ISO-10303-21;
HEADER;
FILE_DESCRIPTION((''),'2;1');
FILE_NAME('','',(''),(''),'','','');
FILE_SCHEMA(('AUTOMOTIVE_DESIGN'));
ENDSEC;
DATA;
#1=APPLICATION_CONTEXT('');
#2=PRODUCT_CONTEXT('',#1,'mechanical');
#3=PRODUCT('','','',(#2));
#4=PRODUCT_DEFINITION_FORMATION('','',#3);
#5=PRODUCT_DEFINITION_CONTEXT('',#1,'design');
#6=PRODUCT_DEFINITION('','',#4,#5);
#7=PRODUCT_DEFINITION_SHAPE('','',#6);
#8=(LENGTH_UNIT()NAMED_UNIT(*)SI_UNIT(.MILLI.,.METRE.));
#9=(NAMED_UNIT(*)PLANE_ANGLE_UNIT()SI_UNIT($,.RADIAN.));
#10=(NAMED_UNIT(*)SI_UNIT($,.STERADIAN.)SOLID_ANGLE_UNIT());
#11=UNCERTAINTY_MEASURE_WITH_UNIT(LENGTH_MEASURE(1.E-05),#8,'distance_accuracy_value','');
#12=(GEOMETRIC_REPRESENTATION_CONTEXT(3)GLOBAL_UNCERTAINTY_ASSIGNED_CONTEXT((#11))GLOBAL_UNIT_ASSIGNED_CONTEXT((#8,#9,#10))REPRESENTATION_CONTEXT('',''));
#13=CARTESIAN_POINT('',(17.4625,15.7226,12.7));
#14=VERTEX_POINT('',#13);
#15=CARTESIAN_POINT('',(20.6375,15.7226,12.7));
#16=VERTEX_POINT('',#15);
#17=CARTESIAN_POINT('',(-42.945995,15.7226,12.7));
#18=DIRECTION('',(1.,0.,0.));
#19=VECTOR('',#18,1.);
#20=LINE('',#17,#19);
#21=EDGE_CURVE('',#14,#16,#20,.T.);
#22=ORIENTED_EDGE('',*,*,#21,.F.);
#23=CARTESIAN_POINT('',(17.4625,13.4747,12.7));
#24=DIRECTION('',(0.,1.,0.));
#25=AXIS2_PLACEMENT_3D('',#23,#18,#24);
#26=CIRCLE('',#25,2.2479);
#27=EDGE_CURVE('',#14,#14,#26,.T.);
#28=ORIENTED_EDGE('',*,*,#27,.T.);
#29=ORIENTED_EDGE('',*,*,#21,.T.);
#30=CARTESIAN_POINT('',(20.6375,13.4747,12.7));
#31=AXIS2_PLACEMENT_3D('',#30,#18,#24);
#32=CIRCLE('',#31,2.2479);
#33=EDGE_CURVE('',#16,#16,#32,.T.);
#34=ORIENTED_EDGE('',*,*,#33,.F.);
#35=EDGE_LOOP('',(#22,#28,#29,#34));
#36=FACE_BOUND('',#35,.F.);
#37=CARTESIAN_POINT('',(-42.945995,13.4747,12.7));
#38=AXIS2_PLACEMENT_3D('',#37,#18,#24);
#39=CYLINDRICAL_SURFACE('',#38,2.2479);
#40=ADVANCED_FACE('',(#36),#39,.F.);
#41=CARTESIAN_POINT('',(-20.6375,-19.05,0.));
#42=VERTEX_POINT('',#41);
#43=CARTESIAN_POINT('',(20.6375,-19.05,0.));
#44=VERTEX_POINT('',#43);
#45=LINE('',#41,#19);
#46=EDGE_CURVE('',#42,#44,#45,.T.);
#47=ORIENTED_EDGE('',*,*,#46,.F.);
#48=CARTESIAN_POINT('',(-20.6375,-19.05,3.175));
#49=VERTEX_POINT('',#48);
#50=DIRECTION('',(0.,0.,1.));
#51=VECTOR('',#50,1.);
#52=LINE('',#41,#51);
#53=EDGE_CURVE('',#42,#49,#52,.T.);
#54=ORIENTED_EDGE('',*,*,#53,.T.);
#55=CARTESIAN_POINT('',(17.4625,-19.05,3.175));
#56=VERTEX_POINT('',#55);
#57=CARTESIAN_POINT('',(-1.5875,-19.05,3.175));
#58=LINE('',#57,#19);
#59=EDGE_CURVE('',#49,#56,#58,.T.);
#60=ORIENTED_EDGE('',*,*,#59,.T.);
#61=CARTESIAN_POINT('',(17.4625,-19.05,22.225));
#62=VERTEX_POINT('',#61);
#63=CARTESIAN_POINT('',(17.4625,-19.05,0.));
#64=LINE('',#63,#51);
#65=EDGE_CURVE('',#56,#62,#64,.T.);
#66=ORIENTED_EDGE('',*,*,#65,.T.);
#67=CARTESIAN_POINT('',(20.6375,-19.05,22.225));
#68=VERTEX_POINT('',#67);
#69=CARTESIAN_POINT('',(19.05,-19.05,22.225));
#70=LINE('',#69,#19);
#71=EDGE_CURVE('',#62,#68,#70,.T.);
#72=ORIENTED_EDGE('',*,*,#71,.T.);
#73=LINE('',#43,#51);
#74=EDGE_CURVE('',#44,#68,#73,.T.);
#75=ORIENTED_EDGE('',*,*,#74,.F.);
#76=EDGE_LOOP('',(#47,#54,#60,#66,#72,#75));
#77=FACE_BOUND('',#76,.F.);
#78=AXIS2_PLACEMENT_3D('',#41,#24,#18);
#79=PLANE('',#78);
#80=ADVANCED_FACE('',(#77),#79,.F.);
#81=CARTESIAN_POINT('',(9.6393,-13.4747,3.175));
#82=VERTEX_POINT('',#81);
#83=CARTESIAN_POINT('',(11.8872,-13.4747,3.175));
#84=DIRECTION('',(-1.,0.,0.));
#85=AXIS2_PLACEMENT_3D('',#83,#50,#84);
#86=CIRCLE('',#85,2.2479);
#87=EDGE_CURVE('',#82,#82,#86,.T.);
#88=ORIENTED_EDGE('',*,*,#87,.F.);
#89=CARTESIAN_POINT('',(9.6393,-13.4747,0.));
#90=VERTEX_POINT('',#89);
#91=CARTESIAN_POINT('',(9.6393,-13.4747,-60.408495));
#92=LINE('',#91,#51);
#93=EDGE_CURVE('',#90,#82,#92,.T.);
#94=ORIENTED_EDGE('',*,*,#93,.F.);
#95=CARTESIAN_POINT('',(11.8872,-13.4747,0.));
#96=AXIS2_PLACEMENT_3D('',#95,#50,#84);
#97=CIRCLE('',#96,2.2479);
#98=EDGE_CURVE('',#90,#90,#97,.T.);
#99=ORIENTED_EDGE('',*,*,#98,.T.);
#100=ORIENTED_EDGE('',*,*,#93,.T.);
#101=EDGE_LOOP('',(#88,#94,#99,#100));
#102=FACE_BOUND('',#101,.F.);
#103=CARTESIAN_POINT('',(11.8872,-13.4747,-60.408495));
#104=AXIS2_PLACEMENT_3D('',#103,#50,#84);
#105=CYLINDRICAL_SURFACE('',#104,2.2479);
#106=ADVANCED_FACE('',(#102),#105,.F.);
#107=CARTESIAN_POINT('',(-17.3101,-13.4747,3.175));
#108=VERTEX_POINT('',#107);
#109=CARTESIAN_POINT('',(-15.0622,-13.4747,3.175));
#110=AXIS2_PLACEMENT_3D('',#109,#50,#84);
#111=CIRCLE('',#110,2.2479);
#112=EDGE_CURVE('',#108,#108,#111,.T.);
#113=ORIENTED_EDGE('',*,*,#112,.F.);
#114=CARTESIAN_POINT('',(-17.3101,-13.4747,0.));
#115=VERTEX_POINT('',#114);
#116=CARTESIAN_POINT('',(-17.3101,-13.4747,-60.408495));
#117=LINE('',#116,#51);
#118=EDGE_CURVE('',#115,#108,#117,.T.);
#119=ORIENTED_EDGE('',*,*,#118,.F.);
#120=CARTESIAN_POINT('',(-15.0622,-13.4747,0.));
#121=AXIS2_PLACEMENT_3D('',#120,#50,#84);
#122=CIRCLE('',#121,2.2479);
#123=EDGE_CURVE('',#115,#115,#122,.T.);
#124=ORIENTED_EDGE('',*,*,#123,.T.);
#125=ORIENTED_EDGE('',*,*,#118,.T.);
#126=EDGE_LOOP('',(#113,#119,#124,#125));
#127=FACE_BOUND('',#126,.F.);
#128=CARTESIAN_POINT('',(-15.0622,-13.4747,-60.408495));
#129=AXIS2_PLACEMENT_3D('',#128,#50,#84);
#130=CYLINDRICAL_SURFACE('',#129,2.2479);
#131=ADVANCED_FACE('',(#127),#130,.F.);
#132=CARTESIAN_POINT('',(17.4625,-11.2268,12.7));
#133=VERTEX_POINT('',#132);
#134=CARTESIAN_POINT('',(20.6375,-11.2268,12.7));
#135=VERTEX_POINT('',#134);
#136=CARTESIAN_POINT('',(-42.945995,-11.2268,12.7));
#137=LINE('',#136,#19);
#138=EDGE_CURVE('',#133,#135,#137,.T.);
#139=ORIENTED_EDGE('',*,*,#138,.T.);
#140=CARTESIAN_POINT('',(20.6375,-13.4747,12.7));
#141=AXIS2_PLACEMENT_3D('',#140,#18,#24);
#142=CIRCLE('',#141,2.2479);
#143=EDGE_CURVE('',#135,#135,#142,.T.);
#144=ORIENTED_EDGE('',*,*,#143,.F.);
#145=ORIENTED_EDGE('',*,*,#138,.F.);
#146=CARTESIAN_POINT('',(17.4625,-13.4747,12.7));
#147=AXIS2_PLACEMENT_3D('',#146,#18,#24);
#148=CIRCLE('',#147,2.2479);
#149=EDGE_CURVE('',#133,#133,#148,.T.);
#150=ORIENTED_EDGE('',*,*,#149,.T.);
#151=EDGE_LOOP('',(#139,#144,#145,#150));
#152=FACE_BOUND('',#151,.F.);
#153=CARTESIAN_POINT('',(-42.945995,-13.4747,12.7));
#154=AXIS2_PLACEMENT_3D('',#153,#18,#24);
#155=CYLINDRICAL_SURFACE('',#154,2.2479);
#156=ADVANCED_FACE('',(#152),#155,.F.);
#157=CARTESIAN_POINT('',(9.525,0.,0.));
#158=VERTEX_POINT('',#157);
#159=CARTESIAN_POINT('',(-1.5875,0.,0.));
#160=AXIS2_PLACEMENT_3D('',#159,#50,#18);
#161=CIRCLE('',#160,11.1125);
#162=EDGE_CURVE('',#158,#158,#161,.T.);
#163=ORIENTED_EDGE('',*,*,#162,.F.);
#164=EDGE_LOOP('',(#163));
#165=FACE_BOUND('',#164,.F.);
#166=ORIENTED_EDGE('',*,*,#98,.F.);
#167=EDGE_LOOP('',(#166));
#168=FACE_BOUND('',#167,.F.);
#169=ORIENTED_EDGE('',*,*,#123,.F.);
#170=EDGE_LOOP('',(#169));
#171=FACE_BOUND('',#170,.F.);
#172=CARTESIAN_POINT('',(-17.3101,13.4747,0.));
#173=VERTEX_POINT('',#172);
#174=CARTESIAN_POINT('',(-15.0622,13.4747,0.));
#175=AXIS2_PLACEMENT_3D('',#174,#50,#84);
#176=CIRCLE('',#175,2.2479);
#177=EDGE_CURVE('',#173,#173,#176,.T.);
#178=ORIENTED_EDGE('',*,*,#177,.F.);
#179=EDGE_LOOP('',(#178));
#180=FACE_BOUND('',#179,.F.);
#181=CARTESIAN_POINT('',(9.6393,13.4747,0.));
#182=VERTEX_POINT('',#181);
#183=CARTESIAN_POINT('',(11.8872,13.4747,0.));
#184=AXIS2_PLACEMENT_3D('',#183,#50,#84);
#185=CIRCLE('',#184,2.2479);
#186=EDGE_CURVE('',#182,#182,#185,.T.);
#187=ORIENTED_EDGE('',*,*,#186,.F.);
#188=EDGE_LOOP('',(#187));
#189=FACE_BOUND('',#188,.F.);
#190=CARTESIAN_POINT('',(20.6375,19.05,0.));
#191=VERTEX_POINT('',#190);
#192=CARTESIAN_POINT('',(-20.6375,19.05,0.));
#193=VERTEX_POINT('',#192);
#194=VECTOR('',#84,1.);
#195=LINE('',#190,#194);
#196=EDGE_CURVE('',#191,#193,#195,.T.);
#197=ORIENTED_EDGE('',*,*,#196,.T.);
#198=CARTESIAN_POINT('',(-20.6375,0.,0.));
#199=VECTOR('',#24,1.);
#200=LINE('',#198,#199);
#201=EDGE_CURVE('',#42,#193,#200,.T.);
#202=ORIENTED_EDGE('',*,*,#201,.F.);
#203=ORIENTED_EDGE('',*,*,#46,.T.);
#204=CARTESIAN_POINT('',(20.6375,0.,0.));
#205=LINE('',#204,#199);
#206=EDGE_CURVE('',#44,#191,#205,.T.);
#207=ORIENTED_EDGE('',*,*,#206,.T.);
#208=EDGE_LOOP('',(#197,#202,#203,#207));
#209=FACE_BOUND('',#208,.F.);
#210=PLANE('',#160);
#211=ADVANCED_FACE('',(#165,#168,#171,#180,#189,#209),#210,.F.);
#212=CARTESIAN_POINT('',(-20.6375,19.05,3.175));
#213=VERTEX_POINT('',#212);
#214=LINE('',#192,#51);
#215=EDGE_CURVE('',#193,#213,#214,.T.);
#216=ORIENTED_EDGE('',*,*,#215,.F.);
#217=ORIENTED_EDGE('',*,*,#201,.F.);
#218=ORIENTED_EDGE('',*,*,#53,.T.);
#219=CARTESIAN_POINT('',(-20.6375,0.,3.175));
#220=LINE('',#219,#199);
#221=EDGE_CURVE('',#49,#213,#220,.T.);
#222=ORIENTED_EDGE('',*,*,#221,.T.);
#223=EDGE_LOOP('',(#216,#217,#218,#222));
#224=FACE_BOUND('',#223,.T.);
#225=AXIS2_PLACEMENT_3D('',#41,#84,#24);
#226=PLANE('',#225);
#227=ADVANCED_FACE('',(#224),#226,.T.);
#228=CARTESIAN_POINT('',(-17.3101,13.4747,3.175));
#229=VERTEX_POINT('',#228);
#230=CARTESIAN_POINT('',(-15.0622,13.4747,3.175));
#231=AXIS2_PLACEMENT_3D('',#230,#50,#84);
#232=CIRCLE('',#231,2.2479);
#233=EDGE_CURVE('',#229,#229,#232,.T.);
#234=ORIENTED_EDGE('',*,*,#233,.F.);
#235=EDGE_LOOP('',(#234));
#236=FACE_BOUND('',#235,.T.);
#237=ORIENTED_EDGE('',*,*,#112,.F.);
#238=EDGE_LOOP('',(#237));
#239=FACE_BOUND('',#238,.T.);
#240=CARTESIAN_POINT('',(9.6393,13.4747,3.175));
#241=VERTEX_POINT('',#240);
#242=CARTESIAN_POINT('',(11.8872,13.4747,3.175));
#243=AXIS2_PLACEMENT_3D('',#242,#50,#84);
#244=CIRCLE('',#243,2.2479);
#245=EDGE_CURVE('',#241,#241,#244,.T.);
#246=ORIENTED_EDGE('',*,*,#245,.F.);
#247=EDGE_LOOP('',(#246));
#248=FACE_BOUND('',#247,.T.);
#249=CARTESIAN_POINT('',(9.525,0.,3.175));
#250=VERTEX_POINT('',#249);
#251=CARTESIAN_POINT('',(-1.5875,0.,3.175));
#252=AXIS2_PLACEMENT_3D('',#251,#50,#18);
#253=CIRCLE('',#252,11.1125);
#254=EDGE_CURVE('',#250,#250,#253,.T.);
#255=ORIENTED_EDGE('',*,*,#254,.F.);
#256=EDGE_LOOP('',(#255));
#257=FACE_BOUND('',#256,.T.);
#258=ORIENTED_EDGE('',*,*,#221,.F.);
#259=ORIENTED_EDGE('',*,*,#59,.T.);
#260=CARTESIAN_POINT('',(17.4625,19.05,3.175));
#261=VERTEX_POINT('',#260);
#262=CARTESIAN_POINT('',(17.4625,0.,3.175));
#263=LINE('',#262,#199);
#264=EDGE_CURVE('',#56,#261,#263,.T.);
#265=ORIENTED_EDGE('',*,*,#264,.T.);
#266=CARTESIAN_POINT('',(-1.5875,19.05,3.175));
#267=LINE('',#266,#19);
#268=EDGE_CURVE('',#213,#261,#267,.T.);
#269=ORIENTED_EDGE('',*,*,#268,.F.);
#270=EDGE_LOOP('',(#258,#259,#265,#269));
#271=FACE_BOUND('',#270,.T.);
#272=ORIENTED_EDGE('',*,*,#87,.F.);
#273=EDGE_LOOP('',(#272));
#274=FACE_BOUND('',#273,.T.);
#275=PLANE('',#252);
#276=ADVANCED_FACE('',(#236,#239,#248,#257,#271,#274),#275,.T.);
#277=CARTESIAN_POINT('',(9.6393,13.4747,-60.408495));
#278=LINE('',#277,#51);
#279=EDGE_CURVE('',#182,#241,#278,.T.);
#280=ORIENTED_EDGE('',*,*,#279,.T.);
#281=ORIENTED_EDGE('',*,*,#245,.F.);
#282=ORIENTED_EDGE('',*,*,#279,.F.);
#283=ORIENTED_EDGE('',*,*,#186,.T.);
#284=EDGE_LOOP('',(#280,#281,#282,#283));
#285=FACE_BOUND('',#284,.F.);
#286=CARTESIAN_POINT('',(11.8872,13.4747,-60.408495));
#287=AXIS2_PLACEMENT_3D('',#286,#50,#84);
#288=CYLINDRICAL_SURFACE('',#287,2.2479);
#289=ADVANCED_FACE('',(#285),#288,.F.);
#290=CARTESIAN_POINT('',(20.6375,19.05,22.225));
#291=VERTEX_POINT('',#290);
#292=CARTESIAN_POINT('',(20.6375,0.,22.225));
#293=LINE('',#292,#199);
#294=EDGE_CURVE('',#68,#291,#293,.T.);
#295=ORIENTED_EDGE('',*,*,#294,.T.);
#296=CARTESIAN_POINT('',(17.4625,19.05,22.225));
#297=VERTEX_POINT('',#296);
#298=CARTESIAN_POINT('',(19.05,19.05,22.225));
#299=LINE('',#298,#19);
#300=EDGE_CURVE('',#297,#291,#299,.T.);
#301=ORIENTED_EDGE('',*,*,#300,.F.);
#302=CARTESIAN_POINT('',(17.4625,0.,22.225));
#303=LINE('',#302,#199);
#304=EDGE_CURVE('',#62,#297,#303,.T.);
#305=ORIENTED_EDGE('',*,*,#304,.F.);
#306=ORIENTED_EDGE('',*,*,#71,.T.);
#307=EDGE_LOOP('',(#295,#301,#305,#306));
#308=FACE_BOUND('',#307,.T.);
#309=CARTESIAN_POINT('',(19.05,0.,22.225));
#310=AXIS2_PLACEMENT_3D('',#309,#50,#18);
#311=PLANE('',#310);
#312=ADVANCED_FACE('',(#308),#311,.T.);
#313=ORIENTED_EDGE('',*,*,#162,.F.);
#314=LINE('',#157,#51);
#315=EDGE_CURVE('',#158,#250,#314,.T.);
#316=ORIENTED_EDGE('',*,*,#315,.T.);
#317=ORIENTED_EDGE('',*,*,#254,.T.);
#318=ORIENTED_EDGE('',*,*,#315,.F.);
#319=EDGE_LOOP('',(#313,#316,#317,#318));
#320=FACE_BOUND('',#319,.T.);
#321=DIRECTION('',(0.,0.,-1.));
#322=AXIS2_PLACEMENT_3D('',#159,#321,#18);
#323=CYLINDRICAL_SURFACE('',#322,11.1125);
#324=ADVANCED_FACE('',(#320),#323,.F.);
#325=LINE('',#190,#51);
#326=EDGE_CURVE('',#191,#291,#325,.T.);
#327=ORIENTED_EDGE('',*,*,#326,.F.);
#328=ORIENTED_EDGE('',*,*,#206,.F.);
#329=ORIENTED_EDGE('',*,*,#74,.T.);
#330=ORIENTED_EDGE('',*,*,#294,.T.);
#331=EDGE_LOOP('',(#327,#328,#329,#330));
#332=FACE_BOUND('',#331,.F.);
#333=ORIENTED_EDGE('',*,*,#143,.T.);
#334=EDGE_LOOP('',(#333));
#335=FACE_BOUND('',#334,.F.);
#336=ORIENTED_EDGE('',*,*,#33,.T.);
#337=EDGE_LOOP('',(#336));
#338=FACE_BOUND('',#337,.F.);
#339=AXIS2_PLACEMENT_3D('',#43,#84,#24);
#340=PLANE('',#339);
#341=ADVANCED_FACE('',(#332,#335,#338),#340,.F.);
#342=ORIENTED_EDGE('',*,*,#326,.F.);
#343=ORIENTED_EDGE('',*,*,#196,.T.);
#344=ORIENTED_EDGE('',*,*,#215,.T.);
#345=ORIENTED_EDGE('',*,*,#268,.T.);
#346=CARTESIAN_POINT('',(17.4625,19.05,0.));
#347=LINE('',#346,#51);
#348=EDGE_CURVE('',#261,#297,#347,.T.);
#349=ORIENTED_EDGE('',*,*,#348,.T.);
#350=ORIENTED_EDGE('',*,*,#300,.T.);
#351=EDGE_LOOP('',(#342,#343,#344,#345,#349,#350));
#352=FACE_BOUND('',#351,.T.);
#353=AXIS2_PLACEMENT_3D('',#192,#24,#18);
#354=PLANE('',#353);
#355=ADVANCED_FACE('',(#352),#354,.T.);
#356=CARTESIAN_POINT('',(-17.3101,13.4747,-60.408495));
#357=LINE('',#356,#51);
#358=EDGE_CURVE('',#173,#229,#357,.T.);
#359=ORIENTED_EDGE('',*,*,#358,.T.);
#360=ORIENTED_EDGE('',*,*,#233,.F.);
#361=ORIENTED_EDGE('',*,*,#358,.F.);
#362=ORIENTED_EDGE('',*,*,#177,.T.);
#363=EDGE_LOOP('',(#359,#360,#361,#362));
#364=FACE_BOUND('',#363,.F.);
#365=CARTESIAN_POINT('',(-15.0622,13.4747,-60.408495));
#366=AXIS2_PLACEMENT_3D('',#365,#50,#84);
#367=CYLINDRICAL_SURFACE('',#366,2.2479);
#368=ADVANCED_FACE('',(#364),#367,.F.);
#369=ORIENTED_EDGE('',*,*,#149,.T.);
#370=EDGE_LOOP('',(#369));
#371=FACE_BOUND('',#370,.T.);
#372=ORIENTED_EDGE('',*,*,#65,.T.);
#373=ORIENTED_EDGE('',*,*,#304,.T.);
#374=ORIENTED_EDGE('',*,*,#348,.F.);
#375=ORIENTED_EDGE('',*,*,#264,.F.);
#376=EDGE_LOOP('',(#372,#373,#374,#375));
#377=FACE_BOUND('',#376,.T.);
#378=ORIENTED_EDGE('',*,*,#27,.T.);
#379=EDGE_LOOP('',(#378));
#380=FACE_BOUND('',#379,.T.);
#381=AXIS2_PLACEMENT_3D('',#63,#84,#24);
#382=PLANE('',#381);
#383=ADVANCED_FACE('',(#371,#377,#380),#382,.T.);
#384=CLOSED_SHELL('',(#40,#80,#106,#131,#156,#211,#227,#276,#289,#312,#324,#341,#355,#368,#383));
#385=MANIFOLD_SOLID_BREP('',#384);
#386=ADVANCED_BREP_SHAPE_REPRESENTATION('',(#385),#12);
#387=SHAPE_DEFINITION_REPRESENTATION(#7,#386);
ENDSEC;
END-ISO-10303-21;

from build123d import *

# Parameters (mm, degrees)
F0_W     = 3.175
F0_H     = 38.1
F1_DEPTH = 22.225
F0_W_2   = 38.1
F0_R     = 11.1125
F2_DEPTH = 3.175
F4_D     = 4.4958
F5_D     = 4.4958
F6_D     = 4.4958
F7_D     = 4.4958
F8_D     = 4.4958
F9_D     = 4.4958


with BuildPart() as f1:
    # F0 (on Top) → F1 (new body)
    with BuildSketch(Plane.XY):
        with Locations((19.05, 0)):
            Rectangle(F0_W, F0_H)
    extrude(amount=F1_DEPTH)

    # F0 (on Top) → F2 (join)
    with BuildSketch(Plane.XY):
        with Locations((-1.5875, 0)):
            Rectangle(F0_W_2, F0_H)
        with Locations((-1.5875, 0)):
            Circle(F0_R, mode=Mode.SUBTRACT)
    extrude(amount=F2_DEPTH)

    # F4 (through all)
    with Locations(Plane(origin=(0, 0, 0), x_dir=(1, 0, 0), z_dir=(0, 0, -1))):
        with Locations((-15.0622, 13.4747)):
            Hole(F4_D / 2)

    # F5 (through all)
    with Locations(Plane(origin=(0, 0, 0), x_dir=(1, 0, 0), z_dir=(0, 0, -1))):
        with Locations((-15.0622, -13.4747)):
            Hole(F5_D / 2)

    # F6 (through all)
    with Locations(Plane(origin=(0, 0, 0), x_dir=(1, 0, 0), z_dir=(0, 0, -1))):
        with Locations((11.8872, -13.4747)):
            Hole(F6_D / 2)

    # F7 (through all)
    with Locations(Plane(origin=(0, 0, 0), x_dir=(1, 0, 0), z_dir=(0, 0, -1))):
        with Locations((11.8872, 13.4747)):
            Hole(F7_D / 2)

    # F8 (through all)
    with Locations(Plane(origin=(17.4625, 0, 0), x_dir=(0, -1, 0), z_dir=(-1, 0, 0))):
        with Locations((-13.4747, 12.7)):
            Hole(F8_D / 2)

    # F9 (through all)
    with Locations(Plane(origin=(17.4625, 0, 0), x_dir=(0, -1, 0), z_dir=(-1, 0, 0))):
        with Locations((13.4747, 12.7)):
            Hole(F9_D / 2)


solid = f1.part
